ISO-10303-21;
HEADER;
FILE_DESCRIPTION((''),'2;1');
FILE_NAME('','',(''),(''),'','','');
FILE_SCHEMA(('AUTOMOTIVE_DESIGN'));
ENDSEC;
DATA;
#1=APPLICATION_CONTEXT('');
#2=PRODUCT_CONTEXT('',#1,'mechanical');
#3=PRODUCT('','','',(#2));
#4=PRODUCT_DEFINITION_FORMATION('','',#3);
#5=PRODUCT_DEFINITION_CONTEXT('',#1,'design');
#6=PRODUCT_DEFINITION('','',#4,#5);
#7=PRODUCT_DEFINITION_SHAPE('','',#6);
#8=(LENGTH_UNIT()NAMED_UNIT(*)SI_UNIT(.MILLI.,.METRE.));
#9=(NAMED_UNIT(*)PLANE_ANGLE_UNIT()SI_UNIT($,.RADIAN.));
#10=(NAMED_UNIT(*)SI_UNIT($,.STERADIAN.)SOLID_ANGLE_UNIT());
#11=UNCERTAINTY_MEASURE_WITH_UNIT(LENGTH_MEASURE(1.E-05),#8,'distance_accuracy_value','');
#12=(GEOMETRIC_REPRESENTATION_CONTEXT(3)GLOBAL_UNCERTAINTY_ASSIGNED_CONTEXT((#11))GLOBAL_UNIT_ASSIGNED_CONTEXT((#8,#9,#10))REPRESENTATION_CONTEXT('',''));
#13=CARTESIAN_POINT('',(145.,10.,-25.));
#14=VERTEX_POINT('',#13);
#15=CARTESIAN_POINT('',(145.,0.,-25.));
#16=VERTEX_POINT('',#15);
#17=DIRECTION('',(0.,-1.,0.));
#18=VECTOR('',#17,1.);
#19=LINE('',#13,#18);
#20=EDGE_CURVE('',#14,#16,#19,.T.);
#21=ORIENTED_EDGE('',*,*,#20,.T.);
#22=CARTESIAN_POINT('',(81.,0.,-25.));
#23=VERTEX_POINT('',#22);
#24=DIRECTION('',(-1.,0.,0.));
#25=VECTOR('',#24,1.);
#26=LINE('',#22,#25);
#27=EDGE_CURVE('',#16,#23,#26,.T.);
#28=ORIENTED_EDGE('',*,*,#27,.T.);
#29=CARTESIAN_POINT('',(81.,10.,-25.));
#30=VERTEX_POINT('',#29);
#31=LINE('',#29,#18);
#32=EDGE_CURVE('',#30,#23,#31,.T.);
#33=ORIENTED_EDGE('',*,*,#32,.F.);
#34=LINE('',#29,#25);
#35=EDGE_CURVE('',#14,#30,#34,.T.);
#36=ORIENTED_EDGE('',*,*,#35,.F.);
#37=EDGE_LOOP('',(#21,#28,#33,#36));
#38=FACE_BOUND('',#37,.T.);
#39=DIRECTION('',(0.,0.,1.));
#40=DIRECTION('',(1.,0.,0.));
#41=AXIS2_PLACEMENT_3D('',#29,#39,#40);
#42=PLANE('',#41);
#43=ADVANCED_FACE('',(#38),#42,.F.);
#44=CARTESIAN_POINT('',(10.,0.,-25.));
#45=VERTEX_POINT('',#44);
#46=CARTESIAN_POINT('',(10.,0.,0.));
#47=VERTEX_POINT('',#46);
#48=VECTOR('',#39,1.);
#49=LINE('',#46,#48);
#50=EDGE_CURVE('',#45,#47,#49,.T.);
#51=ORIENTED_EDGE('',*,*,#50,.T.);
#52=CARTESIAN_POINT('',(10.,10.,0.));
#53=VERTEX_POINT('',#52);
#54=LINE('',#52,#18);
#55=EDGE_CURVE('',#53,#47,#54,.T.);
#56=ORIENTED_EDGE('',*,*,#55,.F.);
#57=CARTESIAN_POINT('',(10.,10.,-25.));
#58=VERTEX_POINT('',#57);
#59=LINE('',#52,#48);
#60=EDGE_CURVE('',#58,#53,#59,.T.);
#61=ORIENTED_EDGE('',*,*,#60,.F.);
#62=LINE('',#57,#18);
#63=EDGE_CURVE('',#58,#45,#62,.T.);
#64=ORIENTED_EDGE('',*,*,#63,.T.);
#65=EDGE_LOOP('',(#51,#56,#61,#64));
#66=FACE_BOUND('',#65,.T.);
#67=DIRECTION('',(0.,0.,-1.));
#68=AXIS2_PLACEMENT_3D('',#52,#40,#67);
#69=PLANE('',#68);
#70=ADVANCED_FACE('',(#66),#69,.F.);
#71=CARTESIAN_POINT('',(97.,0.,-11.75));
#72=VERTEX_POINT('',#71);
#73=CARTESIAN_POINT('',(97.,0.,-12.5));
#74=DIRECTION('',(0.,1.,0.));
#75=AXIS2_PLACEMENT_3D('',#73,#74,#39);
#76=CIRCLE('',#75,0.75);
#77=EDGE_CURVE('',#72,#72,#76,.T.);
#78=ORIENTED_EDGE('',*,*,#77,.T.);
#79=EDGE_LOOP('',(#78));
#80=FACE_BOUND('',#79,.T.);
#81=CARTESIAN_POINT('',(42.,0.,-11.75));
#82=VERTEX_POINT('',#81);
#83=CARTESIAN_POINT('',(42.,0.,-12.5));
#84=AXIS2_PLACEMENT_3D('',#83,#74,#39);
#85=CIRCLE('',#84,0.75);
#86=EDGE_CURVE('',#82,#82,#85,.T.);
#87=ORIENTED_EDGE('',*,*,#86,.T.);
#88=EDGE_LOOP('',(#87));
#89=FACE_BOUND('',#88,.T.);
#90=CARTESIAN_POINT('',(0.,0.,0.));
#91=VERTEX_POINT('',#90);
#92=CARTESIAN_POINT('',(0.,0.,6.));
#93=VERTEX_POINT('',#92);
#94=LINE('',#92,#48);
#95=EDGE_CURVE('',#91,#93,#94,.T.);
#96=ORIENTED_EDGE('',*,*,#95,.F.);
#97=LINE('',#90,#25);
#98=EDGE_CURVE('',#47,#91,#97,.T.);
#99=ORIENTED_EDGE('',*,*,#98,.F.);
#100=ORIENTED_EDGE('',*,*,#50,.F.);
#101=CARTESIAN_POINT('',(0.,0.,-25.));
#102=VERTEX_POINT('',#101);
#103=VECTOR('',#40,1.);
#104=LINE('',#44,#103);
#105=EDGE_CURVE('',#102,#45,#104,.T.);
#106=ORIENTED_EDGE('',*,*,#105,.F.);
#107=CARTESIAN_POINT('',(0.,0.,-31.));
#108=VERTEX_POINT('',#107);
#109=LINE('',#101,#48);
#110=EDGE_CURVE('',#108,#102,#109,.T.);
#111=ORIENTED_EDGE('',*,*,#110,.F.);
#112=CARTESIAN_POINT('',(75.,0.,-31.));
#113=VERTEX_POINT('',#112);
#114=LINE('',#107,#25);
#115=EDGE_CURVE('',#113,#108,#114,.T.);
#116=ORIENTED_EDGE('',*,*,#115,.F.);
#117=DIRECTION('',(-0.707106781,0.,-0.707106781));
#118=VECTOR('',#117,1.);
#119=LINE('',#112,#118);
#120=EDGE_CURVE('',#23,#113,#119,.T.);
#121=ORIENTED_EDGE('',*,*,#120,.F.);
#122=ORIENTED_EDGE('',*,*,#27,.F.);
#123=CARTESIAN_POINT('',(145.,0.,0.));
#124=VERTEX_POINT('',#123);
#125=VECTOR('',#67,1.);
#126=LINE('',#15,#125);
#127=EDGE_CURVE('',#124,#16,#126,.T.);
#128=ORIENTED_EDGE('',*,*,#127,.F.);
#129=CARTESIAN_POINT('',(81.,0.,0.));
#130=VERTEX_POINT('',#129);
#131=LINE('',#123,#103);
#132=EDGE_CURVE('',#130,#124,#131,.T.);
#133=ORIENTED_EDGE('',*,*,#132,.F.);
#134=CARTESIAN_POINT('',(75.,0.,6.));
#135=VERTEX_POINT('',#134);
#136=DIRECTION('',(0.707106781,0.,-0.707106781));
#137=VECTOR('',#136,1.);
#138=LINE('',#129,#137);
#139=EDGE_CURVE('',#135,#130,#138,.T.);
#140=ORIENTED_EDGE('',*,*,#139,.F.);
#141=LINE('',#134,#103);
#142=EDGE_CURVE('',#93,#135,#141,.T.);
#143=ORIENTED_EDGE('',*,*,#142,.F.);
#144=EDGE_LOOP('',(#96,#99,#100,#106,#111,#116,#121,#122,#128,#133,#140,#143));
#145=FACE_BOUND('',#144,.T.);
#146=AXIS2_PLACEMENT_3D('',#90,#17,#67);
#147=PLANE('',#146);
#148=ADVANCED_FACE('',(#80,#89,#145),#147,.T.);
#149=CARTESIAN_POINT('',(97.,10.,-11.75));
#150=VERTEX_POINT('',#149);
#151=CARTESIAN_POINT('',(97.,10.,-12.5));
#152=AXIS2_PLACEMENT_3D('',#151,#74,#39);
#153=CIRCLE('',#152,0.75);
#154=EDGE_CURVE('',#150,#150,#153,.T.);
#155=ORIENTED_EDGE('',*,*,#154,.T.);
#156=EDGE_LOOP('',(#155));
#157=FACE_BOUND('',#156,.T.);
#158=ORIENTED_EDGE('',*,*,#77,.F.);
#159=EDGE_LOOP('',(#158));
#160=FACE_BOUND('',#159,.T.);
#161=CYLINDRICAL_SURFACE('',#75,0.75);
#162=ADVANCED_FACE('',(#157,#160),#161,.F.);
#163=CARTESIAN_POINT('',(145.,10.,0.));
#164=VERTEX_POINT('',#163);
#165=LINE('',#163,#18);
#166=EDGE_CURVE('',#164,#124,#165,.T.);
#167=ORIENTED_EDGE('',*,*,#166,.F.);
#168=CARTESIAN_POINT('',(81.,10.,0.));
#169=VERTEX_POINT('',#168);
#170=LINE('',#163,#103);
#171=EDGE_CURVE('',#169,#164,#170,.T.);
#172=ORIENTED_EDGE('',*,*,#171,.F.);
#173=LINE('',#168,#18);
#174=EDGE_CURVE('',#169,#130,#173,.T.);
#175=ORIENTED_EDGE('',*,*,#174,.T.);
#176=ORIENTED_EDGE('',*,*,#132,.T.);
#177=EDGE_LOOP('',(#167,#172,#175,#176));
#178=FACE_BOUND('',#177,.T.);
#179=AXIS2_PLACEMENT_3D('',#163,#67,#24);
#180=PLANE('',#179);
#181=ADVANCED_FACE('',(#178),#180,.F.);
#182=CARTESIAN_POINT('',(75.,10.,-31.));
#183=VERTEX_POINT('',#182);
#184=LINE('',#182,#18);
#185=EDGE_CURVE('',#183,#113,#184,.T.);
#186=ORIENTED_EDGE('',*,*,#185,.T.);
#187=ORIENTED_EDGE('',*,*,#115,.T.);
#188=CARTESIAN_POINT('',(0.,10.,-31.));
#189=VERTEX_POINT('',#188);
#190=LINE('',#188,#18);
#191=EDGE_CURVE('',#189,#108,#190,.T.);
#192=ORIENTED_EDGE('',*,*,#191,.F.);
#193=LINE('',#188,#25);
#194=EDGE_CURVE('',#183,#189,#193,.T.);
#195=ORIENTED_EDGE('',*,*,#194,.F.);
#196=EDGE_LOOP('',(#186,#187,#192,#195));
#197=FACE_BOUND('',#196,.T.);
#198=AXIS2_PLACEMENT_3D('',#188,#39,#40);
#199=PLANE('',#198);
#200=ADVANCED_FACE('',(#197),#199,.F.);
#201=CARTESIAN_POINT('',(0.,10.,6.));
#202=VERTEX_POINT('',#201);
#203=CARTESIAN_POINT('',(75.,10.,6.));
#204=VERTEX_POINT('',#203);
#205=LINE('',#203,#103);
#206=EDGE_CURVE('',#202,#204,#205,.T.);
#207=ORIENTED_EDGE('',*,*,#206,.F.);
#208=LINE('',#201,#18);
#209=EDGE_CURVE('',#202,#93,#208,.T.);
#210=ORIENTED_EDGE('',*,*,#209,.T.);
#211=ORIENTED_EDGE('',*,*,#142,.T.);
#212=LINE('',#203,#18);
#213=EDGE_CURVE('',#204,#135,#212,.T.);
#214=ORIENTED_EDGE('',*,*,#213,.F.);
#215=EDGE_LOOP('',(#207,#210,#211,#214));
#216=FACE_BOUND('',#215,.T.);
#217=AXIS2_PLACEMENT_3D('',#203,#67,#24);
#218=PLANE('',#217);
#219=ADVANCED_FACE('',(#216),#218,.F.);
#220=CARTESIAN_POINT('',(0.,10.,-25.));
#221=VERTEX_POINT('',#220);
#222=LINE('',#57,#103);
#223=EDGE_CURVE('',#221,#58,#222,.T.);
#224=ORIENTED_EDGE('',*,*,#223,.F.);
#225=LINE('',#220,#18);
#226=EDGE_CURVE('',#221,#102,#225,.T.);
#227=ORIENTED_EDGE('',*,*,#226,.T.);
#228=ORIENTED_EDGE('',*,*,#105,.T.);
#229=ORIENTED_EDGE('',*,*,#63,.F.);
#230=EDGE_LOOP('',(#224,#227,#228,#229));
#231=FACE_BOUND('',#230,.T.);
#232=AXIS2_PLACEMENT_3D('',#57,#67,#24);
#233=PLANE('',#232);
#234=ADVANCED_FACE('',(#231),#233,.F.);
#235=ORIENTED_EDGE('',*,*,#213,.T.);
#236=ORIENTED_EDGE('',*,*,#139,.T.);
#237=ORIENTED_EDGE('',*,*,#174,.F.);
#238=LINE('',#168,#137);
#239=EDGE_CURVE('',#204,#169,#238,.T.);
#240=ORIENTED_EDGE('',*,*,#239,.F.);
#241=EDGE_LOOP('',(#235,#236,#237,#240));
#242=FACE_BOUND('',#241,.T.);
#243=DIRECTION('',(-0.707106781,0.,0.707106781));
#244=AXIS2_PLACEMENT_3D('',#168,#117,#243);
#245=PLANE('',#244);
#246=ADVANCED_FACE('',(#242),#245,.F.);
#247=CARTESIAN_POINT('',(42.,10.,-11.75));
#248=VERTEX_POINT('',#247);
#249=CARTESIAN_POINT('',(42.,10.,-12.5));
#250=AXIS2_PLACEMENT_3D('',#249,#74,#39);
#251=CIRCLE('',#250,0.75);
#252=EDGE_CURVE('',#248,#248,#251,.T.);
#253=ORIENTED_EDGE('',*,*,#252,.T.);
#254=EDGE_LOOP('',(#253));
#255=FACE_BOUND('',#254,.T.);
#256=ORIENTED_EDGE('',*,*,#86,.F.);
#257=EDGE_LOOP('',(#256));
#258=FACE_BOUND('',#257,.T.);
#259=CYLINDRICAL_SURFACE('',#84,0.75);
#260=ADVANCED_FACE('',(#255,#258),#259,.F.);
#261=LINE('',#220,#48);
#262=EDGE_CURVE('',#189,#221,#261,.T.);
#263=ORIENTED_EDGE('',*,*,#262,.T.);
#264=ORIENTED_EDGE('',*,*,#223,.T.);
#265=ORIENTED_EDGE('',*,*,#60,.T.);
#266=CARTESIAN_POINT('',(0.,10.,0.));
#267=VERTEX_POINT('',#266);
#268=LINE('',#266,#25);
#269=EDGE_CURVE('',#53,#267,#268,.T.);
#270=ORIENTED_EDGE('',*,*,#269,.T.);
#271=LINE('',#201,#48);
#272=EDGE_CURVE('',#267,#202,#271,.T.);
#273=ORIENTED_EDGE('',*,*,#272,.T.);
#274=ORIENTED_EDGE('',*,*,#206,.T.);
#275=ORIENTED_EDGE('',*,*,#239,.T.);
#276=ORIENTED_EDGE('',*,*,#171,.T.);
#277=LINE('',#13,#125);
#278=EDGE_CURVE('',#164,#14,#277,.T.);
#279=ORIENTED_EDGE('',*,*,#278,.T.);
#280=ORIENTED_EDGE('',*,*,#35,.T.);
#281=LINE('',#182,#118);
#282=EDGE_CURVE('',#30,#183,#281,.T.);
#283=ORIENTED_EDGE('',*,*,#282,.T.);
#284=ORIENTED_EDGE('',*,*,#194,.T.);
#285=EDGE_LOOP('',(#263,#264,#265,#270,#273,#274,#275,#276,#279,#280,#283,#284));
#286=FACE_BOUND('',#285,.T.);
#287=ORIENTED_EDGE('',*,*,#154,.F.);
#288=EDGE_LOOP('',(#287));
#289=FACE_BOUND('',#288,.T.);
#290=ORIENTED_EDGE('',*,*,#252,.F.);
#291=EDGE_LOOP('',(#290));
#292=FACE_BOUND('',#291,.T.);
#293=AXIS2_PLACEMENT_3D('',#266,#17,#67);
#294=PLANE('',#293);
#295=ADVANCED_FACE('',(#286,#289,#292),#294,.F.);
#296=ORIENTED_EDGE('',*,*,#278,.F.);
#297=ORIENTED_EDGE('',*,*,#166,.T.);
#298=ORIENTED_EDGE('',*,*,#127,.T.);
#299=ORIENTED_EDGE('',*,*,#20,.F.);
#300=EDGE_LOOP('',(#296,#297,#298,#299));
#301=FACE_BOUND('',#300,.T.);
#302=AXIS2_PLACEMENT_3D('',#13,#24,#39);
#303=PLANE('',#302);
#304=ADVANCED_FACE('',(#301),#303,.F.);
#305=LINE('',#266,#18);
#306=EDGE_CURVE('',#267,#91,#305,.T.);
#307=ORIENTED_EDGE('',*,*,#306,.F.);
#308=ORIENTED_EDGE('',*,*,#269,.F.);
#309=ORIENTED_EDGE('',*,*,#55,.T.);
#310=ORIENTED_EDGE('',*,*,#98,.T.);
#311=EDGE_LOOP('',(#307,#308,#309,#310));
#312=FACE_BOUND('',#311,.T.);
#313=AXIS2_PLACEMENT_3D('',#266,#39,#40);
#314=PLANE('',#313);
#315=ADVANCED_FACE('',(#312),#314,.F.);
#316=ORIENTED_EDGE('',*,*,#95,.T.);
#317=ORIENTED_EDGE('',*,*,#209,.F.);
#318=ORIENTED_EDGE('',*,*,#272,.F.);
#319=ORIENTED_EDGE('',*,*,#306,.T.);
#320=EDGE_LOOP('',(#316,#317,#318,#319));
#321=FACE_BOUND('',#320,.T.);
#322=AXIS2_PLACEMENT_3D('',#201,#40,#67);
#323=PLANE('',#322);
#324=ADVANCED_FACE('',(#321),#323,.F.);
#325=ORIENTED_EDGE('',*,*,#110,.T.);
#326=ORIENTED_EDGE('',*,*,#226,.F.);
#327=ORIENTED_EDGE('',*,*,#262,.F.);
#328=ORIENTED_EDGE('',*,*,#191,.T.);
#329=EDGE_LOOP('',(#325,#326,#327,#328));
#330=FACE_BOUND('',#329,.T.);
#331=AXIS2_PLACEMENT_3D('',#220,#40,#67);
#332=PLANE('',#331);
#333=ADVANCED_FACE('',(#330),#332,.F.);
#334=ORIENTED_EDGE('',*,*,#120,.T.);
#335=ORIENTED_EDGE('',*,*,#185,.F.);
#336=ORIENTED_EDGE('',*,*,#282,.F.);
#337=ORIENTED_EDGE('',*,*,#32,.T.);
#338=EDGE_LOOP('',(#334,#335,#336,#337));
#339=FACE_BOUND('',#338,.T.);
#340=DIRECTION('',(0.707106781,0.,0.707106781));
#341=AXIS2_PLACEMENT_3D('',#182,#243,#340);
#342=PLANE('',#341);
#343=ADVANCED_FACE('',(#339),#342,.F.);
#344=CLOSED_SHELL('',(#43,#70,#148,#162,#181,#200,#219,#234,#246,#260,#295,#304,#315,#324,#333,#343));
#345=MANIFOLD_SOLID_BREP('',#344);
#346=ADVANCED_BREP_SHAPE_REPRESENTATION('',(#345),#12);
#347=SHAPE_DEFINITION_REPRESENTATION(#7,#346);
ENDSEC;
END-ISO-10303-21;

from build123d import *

# Parameters (mm, degrees)
EXTRUDE_1_DEPTH        = 10
SKETCH_2_R             = 0.75
CUT_EXTRUDE_1_DEPTH    = 149.613592918
PATTERN_LINEAR_1_COUNT = 2
PATTERN_LINEAR_1_PITCH = 55


with BuildPart() as part:
    # Эскиз1 → Бобышка-Вытянуть1 (new body)
    with BuildSketch(Plane(origin=(0, 0, 0), x_dir=(1, 0, 0), z_dir=(0, 1, 0))):
        Polygon((0, 31), (75, 31), (81, 25), (145, 25), (145, 0), (81, 0), (75, -6), (0, -6), (0, 0), (10, 0), (10, 25), (0, 25), align=None)
    extrude(amount=EXTRUDE_1_DEPTH)

    # Эскиз2 → Вырез-Вытянуть1 (cut, through all)
    with BuildSketch(Plane(origin=(0, 10, 0), x_dir=(1, 0, 0), z_dir=(0, 1, 0))):
        with Locations(Location((42, 12.5, 0), (0, 0, 270))):
            Circle(SKETCH_2_R)
    cut_extrude_1 = extrude(amount=-CUT_EXTRUDE_1_DEPTH, mode=Mode.SUBTRACT)

    # Линейный массив1: Вырез-Вытянуть1 ×2
    with Locations(*[(i * PATTERN_LINEAR_1_PITCH, 0, 0) for i in range(1, PATTERN_LINEAR_1_COUNT)]):
        add(cut_extrude_1, mode=Mode.SUBTRACT)


solid = part.part
